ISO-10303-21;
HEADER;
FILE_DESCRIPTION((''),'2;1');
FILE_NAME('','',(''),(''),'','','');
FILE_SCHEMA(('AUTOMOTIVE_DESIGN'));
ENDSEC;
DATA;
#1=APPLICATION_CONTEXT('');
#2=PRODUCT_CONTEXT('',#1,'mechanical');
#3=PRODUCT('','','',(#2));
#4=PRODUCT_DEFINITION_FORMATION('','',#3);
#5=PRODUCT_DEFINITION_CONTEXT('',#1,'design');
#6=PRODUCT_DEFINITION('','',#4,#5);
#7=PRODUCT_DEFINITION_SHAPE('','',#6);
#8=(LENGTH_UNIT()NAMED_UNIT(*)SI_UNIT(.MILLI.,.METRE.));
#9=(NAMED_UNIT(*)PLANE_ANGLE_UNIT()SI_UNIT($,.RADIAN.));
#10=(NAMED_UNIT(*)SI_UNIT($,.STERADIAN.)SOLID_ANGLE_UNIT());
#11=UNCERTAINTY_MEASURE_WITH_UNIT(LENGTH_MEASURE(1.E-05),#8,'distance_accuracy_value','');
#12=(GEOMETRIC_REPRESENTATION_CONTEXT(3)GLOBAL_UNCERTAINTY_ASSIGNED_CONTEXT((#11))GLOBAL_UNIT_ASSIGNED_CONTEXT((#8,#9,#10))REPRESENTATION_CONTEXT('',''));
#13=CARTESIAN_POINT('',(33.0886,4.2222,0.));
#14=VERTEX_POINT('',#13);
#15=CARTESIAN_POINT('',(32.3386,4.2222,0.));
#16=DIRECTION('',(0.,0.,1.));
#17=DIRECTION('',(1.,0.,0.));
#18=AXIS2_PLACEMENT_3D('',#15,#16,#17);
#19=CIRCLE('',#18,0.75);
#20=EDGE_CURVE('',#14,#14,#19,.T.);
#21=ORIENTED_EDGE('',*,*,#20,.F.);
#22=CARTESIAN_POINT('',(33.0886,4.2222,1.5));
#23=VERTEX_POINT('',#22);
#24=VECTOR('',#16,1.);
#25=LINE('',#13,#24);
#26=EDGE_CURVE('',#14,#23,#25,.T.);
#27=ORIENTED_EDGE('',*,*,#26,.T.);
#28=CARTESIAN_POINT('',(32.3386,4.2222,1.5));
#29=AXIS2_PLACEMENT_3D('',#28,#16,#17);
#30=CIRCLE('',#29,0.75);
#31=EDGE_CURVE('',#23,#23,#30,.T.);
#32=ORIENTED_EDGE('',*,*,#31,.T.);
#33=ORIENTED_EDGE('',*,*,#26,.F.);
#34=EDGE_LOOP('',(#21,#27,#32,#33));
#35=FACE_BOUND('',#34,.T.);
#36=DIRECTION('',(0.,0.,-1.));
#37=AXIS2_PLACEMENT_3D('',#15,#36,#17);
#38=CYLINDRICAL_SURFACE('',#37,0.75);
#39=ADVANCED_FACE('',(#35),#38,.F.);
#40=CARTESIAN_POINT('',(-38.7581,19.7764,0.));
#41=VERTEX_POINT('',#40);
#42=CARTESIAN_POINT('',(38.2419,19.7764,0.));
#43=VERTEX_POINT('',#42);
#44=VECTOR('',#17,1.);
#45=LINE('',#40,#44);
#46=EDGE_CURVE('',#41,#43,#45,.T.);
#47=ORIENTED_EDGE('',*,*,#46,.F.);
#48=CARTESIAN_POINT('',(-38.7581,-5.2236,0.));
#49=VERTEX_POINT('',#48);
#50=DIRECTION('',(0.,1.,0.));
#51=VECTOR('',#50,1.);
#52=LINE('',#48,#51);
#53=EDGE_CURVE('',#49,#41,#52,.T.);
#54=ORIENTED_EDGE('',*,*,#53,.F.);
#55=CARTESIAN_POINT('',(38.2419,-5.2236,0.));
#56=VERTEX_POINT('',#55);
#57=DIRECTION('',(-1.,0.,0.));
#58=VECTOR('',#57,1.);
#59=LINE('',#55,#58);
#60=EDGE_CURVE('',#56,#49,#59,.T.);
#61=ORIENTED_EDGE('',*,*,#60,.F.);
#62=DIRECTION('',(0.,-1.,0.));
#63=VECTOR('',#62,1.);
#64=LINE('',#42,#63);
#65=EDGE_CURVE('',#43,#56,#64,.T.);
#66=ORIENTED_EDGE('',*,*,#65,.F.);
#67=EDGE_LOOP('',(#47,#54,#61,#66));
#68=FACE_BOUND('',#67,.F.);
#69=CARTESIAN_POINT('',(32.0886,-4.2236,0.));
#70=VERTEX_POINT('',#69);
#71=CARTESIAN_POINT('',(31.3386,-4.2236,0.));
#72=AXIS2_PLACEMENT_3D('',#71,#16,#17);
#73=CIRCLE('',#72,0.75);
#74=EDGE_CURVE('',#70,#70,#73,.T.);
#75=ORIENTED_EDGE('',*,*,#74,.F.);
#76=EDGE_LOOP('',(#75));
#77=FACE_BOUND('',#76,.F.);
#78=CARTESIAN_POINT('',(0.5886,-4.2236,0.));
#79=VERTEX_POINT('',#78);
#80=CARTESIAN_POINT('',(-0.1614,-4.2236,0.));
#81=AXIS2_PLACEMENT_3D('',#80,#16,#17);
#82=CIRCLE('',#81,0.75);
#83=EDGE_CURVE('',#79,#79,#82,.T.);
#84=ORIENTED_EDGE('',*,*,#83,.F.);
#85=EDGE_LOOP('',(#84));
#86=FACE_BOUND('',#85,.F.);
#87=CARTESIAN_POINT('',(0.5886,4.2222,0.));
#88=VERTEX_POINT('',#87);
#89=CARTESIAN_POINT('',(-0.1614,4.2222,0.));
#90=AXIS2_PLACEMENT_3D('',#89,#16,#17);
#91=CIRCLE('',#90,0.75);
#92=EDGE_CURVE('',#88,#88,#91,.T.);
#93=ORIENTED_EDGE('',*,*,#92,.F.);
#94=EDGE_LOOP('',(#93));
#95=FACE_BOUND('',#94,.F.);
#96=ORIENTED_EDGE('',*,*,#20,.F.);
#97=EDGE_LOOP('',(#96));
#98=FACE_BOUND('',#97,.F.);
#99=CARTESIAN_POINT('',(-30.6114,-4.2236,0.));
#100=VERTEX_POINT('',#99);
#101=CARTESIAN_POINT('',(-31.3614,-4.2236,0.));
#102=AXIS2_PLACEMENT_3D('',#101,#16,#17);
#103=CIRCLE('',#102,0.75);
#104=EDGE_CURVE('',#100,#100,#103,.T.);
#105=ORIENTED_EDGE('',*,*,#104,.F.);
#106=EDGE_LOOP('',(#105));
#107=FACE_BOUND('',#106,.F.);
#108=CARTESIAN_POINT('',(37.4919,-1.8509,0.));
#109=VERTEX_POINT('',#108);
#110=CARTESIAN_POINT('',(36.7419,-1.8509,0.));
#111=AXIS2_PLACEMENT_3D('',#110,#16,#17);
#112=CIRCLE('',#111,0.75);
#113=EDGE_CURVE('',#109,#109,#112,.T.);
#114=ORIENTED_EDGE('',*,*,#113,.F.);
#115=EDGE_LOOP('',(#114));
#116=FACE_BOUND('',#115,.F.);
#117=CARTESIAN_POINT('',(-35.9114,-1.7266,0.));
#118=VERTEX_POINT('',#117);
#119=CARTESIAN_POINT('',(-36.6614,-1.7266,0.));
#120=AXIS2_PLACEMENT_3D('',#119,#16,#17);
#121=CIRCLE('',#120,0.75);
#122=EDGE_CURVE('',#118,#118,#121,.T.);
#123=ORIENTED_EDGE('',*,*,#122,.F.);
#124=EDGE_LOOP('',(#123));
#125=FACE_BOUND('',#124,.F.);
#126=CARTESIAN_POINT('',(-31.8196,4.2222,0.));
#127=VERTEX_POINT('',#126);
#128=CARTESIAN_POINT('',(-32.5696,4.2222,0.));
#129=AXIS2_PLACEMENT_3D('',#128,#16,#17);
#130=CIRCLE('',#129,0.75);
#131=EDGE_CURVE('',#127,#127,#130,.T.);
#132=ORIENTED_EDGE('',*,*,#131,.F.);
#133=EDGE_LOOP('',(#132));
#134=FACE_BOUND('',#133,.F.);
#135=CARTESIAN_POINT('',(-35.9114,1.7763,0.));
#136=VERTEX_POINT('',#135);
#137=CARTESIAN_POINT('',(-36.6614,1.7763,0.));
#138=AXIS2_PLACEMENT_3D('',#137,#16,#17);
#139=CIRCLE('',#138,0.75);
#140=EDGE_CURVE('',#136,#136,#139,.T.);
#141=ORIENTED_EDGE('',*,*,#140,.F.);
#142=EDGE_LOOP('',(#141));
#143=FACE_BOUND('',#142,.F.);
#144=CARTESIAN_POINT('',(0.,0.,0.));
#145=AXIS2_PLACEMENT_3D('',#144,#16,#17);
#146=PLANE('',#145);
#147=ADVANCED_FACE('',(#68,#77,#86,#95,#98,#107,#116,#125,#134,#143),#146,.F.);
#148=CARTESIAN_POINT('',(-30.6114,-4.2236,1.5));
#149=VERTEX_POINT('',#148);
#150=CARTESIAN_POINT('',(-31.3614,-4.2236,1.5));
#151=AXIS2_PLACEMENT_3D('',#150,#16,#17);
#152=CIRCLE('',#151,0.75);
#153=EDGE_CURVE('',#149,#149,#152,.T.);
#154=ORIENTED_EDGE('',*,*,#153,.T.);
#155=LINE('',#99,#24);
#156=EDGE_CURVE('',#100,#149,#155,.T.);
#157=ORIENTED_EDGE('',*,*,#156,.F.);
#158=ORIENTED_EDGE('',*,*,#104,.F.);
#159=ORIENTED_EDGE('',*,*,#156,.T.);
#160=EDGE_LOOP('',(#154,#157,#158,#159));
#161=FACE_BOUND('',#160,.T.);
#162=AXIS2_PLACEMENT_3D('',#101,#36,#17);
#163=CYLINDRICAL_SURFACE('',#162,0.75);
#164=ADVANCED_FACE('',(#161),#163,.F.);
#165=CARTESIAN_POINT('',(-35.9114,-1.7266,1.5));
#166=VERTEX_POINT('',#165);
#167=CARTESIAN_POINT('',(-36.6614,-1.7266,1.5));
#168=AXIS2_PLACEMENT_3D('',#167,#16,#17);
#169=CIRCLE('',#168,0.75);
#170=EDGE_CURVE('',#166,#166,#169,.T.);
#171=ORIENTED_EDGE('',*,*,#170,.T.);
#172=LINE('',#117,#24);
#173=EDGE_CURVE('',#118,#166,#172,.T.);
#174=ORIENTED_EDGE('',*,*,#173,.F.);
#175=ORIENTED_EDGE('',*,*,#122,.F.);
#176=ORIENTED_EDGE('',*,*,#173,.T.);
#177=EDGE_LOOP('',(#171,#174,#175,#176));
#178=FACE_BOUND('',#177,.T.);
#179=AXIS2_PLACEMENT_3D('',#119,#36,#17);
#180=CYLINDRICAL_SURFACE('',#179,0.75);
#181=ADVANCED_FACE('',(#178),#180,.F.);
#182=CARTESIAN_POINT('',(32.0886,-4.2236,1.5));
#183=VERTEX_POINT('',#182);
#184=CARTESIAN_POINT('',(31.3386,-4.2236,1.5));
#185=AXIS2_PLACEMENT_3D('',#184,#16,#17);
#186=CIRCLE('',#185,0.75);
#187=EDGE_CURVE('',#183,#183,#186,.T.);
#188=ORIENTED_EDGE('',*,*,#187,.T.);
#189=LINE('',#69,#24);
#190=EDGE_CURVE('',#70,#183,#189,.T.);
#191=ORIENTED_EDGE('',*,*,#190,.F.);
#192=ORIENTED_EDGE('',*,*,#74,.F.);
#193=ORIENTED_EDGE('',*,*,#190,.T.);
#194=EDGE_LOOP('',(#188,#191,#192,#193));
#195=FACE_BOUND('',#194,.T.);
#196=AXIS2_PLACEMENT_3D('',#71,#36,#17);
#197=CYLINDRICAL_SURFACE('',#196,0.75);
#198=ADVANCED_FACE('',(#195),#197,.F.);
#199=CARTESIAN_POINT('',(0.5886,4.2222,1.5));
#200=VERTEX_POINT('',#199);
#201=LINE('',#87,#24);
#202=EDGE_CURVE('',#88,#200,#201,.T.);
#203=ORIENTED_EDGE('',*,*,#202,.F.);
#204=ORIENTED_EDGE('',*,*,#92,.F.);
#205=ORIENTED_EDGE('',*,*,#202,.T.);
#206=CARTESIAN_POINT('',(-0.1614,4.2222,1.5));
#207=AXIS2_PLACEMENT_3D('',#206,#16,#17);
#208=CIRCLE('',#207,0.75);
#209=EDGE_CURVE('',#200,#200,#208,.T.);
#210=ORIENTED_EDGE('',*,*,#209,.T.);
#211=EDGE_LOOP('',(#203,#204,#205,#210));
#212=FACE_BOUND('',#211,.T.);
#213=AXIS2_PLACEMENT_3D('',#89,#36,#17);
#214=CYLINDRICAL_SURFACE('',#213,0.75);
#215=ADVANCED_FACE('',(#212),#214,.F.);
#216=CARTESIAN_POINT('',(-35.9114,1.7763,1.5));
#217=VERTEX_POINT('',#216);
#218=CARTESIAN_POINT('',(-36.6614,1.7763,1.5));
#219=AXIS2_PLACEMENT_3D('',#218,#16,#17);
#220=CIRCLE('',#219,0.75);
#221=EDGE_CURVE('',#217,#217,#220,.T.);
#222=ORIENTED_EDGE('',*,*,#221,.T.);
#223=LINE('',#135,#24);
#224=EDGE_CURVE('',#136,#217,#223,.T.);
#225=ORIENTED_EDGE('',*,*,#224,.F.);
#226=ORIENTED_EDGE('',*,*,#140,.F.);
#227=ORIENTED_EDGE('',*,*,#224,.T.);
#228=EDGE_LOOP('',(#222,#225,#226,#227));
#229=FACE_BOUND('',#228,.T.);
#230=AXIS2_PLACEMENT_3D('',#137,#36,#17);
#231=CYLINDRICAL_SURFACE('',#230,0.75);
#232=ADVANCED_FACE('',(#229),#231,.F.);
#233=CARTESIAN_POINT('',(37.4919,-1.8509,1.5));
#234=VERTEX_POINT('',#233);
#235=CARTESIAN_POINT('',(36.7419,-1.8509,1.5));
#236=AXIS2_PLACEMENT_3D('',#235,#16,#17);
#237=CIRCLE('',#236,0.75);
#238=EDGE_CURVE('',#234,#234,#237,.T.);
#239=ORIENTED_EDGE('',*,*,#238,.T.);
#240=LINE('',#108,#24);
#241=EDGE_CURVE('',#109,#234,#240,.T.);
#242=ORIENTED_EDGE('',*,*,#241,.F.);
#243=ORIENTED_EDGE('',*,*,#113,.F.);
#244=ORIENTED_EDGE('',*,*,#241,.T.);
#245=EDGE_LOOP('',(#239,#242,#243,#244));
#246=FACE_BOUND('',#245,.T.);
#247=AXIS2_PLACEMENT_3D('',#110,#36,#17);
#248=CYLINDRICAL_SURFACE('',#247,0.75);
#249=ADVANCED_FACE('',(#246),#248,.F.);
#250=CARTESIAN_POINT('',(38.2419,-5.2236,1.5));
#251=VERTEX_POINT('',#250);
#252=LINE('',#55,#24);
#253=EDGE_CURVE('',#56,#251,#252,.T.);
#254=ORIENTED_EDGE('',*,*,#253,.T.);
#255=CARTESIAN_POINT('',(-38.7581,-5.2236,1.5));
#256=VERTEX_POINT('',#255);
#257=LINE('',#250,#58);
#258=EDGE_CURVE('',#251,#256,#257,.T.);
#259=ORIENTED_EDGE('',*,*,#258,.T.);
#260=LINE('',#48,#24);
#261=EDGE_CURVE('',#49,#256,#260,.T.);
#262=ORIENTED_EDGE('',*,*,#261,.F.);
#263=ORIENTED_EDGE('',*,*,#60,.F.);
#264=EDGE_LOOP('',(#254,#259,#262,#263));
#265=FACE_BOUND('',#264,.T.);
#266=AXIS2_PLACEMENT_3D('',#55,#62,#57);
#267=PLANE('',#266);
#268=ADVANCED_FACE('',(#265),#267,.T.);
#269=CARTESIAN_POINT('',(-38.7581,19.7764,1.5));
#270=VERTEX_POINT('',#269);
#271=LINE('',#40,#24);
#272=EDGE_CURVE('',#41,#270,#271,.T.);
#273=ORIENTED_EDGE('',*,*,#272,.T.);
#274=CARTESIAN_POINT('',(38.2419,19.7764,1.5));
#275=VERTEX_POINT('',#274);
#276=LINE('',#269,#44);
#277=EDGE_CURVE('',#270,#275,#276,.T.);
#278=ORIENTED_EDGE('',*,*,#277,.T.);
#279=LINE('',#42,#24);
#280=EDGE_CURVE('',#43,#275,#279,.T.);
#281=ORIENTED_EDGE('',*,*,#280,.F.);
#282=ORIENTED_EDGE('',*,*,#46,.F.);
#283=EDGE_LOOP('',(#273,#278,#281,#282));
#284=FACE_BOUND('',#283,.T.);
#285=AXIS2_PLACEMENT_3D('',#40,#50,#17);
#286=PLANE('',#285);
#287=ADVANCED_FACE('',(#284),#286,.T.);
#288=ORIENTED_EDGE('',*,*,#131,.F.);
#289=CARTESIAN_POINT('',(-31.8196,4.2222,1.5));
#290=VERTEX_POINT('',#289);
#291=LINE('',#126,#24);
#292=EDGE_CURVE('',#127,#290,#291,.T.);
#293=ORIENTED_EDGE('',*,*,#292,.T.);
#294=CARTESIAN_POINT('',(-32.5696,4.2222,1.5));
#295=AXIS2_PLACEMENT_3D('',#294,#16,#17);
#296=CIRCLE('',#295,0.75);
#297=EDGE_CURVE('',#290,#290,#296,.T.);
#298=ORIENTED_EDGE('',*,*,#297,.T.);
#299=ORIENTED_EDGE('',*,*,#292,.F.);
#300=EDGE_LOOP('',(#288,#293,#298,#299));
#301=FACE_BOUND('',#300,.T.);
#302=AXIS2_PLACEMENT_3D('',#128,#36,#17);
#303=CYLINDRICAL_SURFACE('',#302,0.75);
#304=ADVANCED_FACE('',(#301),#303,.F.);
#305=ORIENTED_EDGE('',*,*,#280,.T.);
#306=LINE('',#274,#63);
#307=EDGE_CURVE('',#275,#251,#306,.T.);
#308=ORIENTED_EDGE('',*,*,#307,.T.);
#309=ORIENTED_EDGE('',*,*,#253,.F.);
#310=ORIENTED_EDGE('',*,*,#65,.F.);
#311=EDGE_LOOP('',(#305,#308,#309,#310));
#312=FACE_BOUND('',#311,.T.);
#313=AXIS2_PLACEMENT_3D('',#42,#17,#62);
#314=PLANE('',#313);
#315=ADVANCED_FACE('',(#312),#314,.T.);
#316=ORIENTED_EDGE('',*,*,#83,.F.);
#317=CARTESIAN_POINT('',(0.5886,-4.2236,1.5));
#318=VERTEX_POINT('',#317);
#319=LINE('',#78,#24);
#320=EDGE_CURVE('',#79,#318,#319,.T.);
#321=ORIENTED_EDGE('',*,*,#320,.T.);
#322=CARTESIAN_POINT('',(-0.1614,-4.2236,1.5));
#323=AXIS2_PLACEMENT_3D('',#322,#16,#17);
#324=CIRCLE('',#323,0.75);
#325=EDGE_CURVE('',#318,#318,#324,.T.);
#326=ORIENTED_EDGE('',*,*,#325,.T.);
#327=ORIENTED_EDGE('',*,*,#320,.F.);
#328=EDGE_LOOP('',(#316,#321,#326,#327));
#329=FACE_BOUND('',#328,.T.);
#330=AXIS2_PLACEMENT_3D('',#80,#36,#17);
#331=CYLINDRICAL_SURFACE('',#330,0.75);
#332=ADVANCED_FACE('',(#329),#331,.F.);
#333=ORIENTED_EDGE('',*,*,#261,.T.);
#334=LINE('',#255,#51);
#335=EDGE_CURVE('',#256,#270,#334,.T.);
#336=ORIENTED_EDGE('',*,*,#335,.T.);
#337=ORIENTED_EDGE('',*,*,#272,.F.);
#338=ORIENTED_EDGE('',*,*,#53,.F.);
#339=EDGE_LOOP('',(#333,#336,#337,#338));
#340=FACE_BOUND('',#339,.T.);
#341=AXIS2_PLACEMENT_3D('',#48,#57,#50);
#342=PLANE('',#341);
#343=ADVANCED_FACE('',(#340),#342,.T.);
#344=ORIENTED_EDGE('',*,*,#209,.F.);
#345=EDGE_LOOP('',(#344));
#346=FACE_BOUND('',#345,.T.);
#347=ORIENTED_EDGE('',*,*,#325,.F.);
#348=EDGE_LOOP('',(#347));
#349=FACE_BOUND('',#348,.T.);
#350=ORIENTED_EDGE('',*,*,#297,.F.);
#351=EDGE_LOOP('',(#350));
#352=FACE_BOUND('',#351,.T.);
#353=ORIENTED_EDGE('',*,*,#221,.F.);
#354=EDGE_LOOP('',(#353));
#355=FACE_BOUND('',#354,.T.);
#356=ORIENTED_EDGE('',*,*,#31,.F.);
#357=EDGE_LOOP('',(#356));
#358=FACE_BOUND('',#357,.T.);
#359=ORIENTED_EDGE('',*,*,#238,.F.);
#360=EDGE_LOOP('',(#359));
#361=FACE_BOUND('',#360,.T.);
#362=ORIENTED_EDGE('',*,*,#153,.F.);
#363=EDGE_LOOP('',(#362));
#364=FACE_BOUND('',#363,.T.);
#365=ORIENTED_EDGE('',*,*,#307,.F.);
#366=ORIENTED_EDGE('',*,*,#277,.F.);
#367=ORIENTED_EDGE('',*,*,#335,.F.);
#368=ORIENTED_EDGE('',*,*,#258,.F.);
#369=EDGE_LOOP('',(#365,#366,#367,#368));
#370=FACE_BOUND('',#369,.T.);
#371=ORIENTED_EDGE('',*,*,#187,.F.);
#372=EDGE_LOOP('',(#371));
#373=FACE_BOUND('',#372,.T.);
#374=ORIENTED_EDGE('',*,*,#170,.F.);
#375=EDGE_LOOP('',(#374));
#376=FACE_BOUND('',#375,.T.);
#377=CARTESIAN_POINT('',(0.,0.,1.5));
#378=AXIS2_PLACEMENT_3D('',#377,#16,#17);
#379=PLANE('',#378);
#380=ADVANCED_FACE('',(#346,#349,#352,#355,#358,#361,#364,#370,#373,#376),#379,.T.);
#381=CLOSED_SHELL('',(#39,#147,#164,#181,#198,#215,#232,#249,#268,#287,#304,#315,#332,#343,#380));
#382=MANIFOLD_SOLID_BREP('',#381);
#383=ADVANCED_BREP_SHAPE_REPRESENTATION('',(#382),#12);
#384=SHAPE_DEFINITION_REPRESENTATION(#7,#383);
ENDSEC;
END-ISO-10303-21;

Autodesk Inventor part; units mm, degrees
ref_plane "YZ Plane" through (0, 0, 0) normal (1, 0, 0) x (0, 1, 0)
ref_plane "XZ Plane" through (0, 0, 0) normal (0, 1, 0) x (-1, 0, 0)
ref_plane "XY Plane" through (0, 0, 0) normal (0, 0, 1) x (1, 0, 0)
ref_plane "Arbeitsebene1" through (0, -3.9, 0.8) normal (0, -1, 0) x (-1, 0, 0)
ref_plane "Arbeitsebene2" through (0, 0, 0) normal (0, 0, 1) x (1, 0, 0)
sketch "Skizze2" plane through (0, 0, 0) normal (0, 0, 1) x (1, 0, 0)
  circle A0 centre (31.3386, -4.2236) radius 0.75
  circle A1 centre (-0.1614, -4.2236) radius 0.75
  circle A2 centre (-31.3614, -4.2236) radius 0.75
  circle A3 centre (-32.5696, 4.2222) radius 0.75
  circle A4 centre (-0.1614, 4.2222) radius 0.75
  circle A5 centre (32.3386, 4.2222) radius 0.75
  circle A6 centre (36.7419, -1.8509) radius 0.75
  circle A7 centre (-36.6614, -1.7266) radius 0.75
  circle A8 centre (-36.6614, 1.7763) radius 0.75
  line L0 (33.8386, 4.2222) -> (-46.1614, 4.2222) construction
  line L1 (-46.1614, 4.2222) -> (-46.1614, -4.2236) construction
  line L2 (-46.1614, -4.2236) -> (33.8386, -4.2236) construction
  line L3 (33.8386, -4.2236) -> (33.8386, 4.2222) construction
  line L4 (33.8386, -4.2236) -> (36.7419, -4.2236) construction
  line L5 (36.7419, -4.2236) -> (36.7419, 4.2222) construction
  line L6 (36.7419, 4.2222) -> (33.8386, 4.2222) construction
  line L7 (33.8386, 4.2222) -> (33.8386, -4.2236) construction
  line L8 (-46.1614, -4.2236) -> (-36.6614, -4.2236) construction
  line L9 (-36.6614, -4.2236) -> (-36.6614, 4.2222) construction
  line L10 (-36.6614, 4.2222) -> (-46.1614, 4.2222) construction
  line L11 (-46.1614, 4.2222) -> (-46.1614, -4.2236) construction
  line L12 (38.2419, -5.2236) -> (-38.7581, -5.2236)
  line L13 (-38.7581, -5.2236) -> (-38.7581, 19.7764)
  line L14 (-38.7581, 19.7764) -> (38.2419, 19.7764)
  line L15 (38.2419, 19.7764) -> (38.2419, -5.2236)
  point P0 (0, 0)
  dimension "d0" = 1.5
  dimension "d1" = 8.4458
  dimension "d2" = 80
  dimension "d3" = 33.8386
  dimension "d4" = 4.2222
  dimension "d5" = 2.5
  dimension "d6" = 1.5
  dimension "d7" = 13.5918
  dimension "d8" = 14.8
  dimension "d9" = 34
  dimension "d10" = 34
  dimension "d11" = 2.9033
  dimension "d12" = 2.3726
  dimension "d13" = 9.5
  dimension "d14" = 2.497
  dimension "d15" = 2.4459
  dimension "d16" = 25
  dimension "d17" = 77
  dimension "d18" = 1.5
  dimension "d19" = 1
extrude "Extrusion1" add sketch "Skizze2" along normal blind 1.5
properties part number "Poti_Sensor_PCB_"
